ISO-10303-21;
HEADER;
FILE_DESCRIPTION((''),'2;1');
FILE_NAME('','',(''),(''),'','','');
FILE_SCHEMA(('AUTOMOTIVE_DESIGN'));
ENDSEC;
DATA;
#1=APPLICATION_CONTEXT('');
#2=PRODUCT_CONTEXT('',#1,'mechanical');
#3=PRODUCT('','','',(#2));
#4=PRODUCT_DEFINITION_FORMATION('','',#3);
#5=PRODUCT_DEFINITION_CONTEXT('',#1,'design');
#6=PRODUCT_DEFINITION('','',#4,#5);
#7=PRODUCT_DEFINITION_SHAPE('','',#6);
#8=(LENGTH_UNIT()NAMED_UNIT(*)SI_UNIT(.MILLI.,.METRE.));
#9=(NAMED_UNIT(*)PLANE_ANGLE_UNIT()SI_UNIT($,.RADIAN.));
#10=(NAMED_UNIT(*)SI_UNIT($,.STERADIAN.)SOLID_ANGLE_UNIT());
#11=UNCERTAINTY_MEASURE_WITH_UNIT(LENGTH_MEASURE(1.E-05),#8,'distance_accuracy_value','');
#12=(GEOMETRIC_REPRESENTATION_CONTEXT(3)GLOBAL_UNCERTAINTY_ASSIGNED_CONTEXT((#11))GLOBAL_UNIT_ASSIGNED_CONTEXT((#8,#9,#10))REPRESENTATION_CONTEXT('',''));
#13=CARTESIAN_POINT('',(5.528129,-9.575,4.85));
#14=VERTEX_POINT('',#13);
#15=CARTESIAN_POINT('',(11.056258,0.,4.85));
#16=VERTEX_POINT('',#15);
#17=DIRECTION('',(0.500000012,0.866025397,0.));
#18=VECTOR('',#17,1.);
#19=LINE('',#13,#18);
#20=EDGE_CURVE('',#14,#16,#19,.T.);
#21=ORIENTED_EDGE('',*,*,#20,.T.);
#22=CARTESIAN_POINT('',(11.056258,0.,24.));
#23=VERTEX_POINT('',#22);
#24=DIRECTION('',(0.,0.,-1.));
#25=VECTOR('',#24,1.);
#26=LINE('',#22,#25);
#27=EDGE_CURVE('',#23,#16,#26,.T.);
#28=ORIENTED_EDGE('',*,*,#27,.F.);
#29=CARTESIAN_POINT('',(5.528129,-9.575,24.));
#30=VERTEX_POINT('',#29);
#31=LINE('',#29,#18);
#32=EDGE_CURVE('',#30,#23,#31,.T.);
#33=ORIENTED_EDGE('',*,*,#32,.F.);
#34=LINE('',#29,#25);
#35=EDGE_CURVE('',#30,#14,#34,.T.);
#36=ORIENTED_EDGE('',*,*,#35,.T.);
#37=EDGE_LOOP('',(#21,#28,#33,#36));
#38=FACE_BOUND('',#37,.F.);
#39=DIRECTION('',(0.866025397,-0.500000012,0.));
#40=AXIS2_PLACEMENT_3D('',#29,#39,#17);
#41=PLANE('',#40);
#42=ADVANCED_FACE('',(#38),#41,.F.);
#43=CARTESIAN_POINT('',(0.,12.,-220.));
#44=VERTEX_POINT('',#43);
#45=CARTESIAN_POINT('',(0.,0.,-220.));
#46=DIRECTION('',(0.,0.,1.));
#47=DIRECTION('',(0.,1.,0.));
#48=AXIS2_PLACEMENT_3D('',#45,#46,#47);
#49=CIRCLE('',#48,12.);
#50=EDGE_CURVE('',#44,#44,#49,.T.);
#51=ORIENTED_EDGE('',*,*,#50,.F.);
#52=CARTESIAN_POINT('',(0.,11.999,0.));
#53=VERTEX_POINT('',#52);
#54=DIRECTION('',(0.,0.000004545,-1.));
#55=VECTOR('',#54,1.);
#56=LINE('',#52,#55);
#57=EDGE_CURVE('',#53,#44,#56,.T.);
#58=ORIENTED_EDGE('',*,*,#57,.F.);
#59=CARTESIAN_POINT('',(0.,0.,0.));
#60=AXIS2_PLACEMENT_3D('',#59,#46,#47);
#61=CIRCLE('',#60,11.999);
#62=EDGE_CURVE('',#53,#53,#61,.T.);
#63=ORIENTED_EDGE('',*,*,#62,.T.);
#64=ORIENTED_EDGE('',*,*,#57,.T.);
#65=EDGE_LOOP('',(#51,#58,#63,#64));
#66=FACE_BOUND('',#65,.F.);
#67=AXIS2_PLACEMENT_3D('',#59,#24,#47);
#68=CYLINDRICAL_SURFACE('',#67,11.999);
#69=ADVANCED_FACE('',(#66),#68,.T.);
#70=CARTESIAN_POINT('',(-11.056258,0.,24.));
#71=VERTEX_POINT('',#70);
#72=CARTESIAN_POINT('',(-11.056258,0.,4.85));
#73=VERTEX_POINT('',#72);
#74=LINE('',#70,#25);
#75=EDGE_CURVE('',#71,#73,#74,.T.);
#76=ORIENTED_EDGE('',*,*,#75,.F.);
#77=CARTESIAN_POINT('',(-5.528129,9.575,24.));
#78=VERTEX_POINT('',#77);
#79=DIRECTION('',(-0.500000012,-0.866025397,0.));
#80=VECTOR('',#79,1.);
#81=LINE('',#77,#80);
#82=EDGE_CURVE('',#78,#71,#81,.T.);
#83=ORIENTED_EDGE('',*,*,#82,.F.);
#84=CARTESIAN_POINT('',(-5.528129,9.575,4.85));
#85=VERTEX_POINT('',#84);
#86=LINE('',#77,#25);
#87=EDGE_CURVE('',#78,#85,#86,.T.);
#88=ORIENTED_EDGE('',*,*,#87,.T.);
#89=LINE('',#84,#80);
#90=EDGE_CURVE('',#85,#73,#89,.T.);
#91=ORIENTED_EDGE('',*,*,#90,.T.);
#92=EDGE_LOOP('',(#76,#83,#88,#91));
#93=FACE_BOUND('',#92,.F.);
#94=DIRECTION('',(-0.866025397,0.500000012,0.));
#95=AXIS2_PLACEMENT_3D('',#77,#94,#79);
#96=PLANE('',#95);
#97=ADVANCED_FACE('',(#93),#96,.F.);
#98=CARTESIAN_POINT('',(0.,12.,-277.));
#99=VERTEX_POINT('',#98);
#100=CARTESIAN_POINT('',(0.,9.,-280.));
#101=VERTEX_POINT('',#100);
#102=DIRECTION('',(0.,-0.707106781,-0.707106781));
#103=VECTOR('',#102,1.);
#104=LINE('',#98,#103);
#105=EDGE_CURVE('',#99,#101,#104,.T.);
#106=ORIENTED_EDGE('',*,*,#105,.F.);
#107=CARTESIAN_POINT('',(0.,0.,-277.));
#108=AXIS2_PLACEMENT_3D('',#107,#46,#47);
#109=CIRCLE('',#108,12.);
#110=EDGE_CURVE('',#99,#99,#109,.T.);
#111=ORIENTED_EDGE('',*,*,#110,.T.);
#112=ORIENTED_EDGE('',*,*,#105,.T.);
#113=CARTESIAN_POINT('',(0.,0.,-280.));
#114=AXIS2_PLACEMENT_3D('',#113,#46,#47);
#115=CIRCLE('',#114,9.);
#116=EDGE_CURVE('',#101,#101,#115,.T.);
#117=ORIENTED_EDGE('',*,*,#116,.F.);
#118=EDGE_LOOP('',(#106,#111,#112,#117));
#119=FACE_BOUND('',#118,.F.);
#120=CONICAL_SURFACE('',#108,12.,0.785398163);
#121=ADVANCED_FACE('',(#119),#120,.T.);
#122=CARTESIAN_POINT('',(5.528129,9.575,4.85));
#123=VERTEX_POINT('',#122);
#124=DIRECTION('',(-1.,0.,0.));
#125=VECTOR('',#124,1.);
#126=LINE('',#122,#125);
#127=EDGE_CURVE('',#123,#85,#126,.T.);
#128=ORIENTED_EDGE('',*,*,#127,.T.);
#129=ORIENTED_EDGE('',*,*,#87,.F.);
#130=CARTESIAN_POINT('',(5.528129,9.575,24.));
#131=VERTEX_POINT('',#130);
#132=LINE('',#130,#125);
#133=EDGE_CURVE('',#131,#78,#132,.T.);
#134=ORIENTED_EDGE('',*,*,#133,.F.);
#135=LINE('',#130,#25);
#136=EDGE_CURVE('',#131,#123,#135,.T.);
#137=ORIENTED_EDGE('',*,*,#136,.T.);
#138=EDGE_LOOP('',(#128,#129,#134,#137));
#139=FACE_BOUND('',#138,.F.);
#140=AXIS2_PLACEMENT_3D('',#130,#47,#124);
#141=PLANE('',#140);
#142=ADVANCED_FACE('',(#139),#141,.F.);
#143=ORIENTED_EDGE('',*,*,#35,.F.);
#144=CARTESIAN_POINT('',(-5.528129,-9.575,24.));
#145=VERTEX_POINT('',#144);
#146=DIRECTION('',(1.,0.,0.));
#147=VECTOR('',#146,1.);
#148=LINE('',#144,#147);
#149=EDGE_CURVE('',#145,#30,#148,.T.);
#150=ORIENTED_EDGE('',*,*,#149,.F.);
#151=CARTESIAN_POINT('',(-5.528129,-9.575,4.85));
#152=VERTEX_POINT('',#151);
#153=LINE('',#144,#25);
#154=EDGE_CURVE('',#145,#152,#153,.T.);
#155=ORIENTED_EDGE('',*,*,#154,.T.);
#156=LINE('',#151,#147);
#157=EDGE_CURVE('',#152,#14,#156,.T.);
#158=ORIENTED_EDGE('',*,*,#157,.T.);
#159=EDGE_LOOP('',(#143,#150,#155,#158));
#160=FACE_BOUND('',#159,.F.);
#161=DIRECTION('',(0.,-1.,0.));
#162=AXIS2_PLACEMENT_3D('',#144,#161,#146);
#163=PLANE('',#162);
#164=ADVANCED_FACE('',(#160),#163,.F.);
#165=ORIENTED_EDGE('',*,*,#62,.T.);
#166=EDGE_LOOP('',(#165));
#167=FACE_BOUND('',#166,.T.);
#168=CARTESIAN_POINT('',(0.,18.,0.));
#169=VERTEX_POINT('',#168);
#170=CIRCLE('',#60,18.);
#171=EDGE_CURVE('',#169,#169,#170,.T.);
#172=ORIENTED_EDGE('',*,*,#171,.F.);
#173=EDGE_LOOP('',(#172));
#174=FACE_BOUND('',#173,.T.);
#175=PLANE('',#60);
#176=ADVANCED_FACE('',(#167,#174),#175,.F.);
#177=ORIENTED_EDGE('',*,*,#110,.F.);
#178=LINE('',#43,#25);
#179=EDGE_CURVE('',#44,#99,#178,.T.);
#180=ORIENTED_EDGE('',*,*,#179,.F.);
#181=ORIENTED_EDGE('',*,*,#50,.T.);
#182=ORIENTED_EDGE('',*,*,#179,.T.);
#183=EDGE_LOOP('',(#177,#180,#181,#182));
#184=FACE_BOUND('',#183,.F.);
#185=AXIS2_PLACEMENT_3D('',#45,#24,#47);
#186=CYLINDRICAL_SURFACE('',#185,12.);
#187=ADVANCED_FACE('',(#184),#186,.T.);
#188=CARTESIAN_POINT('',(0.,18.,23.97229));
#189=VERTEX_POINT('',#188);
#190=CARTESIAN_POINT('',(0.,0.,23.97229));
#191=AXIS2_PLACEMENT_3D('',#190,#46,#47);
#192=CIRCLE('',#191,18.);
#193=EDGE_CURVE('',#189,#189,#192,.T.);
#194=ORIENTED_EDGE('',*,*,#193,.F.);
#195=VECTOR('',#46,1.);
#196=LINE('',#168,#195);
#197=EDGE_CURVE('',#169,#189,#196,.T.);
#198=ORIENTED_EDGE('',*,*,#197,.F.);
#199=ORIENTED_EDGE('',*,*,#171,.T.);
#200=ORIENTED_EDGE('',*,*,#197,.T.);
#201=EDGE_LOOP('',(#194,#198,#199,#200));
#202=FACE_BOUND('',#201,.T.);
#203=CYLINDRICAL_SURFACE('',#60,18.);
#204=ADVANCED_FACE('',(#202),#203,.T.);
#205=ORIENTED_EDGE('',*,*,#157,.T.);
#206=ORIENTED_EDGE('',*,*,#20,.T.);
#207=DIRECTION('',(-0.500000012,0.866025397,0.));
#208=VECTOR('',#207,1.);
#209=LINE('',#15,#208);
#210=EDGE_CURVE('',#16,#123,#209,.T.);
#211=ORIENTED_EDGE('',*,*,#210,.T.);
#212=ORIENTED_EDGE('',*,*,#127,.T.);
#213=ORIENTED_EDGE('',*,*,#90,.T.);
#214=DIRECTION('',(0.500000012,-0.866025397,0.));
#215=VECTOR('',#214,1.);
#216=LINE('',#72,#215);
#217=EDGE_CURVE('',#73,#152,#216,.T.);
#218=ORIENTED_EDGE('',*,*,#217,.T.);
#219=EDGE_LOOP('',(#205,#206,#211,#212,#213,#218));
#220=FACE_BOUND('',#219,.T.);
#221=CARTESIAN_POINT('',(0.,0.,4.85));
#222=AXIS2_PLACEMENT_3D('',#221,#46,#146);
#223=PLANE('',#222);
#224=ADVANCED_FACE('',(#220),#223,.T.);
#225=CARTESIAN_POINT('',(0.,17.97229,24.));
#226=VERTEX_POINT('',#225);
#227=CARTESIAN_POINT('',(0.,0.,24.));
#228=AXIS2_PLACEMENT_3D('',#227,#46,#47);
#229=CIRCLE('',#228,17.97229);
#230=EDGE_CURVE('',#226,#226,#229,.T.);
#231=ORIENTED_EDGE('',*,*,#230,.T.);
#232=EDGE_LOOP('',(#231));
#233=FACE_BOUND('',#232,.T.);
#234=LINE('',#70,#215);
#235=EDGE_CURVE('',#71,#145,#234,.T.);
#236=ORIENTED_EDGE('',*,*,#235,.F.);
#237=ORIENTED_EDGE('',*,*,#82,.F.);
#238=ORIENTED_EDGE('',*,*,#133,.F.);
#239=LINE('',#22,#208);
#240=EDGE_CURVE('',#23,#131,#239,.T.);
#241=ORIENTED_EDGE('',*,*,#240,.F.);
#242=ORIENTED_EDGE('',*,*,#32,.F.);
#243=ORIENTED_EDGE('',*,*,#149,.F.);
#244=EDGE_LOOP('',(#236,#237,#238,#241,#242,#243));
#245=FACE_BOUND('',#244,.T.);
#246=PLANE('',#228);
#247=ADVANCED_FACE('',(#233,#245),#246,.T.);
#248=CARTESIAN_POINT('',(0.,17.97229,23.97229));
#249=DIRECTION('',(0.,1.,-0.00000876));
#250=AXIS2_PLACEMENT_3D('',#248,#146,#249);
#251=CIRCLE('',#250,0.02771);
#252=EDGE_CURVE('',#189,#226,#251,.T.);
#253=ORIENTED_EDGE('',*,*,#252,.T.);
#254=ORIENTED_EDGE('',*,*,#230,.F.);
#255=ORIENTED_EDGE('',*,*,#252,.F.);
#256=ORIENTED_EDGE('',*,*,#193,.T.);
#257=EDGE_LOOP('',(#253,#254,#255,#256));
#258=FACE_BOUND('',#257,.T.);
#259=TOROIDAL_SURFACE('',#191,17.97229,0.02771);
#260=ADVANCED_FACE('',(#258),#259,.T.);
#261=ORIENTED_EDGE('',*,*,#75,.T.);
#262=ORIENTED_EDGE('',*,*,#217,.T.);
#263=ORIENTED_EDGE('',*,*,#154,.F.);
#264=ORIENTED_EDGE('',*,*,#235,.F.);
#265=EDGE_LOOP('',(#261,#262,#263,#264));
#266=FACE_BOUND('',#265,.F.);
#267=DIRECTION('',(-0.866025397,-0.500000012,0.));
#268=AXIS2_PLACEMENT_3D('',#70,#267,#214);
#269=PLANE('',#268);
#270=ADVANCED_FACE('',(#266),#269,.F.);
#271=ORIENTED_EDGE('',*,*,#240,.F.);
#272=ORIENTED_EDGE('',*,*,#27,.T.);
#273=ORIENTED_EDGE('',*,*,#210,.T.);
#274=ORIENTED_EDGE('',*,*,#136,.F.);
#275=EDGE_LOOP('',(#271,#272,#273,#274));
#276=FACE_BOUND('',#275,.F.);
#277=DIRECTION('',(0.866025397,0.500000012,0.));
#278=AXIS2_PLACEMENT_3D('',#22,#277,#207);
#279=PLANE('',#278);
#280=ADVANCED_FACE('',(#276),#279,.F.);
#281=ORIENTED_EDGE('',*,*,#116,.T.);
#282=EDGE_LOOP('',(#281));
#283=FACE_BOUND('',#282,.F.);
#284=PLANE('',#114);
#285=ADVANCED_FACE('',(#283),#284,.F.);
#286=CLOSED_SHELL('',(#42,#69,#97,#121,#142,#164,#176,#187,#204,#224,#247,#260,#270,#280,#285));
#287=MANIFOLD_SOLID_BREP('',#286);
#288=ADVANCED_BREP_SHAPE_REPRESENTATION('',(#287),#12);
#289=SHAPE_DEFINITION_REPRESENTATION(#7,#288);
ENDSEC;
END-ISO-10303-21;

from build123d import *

# Parameters (mm, degrees)
POCKET_DEPTH = 19.15


with BuildPart() as part:
    # Sketch → Revolve (revolve)
    with BuildSketch(Plane.YZ):
        with BuildLine():
            Line((11.999, 0), (18, 0))
            Line((18, 0), (18, 23.97229))
            ThreePointArc((18, 23.97229), (17.991884, 23.991884), (17.97229, 24))
            Line((17.97229, 24), (0, 24))
            Line((0, -280), (0, 24))
            Line((9, -280), (0, -280))
            Line((12, -277), (9, -280))
            Line((12, -220), (12, -277))
            Line((11.999, 0), (12, -220))
        make_face()
    revolve(axis=Axis((0, 0, 0), (0, 0, 1)))

    # Sketch001 → Pocket (cut)
    with BuildSketch(Plane.XY.offset(24)):
        Polygon((11.056258, 0), (5.528129, 9.575), (-5.528129, 9.575), (-11.056258, 0), (-5.528129, -9.575), (5.528129, -9.575), align=None)
    extrude(amount=-POCKET_DEPTH, mode=Mode.SUBTRACT)


solid = part.part
